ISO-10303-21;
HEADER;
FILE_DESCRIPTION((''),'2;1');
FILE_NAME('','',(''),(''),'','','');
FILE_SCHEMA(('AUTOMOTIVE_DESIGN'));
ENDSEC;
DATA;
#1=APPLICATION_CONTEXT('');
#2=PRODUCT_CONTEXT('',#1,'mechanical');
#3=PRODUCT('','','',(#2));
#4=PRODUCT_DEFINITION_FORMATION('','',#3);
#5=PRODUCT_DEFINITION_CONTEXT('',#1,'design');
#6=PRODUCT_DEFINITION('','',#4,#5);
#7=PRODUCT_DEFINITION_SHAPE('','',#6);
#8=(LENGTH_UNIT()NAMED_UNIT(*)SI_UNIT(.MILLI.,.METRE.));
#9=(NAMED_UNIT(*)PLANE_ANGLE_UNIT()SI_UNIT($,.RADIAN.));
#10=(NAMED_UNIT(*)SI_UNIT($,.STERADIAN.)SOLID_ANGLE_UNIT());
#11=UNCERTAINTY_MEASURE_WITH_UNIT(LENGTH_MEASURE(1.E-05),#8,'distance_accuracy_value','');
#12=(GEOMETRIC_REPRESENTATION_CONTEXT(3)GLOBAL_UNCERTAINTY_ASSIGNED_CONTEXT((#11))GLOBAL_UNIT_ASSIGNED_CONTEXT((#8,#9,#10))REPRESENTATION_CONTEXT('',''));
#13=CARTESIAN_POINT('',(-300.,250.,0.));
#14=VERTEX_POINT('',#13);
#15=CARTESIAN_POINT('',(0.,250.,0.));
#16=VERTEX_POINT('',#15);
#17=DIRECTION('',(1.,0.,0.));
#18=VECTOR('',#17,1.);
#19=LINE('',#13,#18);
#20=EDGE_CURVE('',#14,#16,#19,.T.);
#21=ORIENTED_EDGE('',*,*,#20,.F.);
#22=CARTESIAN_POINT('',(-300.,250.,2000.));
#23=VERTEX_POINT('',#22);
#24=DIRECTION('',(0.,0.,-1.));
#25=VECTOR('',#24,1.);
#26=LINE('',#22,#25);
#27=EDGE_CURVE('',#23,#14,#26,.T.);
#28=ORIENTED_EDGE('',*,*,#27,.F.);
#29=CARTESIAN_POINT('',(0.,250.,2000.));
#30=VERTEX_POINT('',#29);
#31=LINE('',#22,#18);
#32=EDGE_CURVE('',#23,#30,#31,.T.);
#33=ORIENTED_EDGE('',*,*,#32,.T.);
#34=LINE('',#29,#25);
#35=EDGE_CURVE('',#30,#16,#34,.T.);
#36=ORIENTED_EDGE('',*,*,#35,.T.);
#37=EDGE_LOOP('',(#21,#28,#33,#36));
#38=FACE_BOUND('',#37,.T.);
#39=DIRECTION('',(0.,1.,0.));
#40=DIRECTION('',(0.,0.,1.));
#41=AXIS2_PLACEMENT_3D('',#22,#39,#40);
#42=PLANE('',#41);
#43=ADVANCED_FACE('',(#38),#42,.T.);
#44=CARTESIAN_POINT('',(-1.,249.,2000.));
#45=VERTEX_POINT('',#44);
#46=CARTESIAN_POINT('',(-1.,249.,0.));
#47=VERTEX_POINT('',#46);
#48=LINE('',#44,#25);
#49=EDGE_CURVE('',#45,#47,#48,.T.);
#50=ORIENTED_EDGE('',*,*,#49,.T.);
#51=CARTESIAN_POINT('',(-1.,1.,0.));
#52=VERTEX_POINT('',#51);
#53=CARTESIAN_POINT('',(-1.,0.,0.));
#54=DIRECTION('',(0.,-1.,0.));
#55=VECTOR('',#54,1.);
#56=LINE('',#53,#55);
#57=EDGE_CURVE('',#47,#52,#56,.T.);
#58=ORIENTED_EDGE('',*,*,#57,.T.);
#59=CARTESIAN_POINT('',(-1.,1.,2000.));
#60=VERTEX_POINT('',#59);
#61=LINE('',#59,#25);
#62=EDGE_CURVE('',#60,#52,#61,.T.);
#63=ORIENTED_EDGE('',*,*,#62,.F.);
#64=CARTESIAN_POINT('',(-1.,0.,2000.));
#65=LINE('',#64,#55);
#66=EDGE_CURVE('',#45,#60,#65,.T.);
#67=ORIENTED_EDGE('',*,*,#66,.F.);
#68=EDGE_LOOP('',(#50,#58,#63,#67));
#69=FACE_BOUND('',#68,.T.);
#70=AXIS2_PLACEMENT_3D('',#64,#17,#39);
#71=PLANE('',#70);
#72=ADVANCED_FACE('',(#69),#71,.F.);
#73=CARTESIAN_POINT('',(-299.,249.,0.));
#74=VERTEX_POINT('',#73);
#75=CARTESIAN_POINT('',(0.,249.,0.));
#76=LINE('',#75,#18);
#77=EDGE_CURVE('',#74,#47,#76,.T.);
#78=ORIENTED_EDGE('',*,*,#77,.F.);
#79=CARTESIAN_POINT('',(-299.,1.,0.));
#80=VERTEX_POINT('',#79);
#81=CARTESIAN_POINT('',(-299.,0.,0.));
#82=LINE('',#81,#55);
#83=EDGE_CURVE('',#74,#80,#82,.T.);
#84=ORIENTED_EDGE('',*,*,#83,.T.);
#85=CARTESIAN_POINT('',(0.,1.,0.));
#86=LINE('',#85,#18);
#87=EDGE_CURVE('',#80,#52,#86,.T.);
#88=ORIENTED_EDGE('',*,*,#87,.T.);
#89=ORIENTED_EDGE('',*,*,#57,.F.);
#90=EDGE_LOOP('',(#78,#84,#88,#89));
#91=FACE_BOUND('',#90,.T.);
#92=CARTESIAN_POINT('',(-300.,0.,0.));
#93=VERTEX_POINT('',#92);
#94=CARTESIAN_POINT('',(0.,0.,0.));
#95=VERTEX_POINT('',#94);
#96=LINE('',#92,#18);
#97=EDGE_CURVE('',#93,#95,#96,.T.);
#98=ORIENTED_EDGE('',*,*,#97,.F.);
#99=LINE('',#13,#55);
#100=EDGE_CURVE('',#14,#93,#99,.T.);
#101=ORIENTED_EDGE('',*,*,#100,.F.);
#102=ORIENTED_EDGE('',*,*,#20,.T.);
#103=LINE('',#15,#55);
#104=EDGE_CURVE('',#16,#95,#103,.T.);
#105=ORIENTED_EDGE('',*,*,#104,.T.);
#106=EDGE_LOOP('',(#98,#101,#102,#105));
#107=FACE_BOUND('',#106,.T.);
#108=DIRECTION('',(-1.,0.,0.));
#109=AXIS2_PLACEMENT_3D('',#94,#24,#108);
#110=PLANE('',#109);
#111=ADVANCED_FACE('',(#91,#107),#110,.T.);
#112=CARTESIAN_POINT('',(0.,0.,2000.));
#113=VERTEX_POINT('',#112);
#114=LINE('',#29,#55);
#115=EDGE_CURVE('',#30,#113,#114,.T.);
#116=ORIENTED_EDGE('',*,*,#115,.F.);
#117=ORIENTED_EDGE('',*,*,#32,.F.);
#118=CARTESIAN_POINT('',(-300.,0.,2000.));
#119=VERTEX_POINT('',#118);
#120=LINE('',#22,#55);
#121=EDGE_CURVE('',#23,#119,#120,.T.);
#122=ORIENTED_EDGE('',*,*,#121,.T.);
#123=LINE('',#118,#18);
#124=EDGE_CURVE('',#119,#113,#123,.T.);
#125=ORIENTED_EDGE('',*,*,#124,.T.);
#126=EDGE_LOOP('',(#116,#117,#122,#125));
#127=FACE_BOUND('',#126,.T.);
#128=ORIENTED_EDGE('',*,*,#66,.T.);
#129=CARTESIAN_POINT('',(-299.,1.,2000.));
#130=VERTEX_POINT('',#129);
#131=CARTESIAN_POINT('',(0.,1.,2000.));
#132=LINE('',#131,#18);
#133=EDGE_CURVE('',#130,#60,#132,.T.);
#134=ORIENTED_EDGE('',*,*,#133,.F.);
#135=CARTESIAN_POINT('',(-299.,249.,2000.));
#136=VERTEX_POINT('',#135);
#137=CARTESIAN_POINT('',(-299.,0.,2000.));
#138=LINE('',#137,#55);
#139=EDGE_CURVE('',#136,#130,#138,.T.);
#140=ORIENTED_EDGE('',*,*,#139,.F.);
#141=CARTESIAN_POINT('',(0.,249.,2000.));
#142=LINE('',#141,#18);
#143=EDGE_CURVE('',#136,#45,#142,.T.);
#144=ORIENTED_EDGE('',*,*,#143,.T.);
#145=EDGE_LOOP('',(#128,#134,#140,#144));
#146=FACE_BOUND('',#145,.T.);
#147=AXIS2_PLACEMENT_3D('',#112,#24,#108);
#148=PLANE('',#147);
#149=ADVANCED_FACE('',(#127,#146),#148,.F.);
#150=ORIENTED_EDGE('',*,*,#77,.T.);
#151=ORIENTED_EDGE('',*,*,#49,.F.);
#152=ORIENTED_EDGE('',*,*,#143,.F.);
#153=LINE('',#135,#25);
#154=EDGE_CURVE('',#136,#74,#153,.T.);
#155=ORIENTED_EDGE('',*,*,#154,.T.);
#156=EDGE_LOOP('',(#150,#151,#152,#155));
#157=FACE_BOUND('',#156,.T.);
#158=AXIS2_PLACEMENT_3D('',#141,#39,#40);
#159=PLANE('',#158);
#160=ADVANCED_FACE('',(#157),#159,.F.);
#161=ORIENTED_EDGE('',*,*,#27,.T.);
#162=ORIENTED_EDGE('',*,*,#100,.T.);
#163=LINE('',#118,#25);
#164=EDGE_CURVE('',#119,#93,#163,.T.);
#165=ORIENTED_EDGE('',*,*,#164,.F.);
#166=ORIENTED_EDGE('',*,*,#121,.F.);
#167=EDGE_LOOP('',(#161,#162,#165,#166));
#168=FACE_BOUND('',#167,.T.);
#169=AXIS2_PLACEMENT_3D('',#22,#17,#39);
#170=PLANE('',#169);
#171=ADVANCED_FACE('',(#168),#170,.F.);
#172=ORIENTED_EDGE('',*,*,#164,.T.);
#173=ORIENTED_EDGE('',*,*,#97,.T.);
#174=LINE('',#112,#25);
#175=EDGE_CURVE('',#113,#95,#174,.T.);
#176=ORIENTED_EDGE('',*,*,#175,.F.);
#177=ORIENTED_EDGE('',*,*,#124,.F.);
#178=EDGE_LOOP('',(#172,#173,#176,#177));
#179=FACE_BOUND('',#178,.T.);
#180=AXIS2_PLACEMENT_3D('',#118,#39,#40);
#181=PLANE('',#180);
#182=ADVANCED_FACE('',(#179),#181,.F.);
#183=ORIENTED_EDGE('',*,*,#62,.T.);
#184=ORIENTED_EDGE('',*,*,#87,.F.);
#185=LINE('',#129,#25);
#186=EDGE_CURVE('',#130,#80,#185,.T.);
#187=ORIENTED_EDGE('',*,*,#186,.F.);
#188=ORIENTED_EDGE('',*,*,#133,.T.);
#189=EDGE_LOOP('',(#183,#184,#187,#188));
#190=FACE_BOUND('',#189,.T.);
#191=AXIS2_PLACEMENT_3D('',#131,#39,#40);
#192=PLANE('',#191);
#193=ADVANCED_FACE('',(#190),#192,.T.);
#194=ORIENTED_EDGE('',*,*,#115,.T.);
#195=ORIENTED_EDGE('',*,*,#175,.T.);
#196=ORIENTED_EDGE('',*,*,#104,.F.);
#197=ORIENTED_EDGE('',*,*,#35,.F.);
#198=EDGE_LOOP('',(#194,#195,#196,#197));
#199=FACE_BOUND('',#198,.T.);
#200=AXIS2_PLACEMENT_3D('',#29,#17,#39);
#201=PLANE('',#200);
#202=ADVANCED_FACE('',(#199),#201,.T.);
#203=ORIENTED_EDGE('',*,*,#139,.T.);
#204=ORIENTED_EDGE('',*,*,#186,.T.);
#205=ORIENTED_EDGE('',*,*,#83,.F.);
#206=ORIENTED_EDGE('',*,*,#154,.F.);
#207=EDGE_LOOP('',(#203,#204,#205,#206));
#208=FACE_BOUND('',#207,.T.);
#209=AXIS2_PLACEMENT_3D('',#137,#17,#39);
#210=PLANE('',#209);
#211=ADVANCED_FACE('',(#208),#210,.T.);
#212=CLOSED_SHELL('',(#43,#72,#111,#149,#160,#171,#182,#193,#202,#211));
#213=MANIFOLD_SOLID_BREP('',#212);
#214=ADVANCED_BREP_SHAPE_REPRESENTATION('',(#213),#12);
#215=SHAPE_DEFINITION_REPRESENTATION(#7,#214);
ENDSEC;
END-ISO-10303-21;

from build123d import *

# Parameters (mm, degrees)
SKETCH1_W           = 300
SKETCH1_H           = 250
SKETCH1_W_2         = 298
SKETCH1_H_2         = 248
EXTRUDE_THIN1_DEPTH = 2000


with BuildPart() as part:
    # Sketch1 → Extrude-Thin1 (new body)
    with BuildSketch(Plane.XY):
        with Locations((-150, 125)):
            Rectangle(SKETCH1_W, SKETCH1_H)
        with Locations((-150, 125)):
            Rectangle(SKETCH1_W_2, SKETCH1_H_2, mode=Mode.SUBTRACT)
    extrude(amount=EXTRUDE_THIN1_DEPTH)


solid = part.part
